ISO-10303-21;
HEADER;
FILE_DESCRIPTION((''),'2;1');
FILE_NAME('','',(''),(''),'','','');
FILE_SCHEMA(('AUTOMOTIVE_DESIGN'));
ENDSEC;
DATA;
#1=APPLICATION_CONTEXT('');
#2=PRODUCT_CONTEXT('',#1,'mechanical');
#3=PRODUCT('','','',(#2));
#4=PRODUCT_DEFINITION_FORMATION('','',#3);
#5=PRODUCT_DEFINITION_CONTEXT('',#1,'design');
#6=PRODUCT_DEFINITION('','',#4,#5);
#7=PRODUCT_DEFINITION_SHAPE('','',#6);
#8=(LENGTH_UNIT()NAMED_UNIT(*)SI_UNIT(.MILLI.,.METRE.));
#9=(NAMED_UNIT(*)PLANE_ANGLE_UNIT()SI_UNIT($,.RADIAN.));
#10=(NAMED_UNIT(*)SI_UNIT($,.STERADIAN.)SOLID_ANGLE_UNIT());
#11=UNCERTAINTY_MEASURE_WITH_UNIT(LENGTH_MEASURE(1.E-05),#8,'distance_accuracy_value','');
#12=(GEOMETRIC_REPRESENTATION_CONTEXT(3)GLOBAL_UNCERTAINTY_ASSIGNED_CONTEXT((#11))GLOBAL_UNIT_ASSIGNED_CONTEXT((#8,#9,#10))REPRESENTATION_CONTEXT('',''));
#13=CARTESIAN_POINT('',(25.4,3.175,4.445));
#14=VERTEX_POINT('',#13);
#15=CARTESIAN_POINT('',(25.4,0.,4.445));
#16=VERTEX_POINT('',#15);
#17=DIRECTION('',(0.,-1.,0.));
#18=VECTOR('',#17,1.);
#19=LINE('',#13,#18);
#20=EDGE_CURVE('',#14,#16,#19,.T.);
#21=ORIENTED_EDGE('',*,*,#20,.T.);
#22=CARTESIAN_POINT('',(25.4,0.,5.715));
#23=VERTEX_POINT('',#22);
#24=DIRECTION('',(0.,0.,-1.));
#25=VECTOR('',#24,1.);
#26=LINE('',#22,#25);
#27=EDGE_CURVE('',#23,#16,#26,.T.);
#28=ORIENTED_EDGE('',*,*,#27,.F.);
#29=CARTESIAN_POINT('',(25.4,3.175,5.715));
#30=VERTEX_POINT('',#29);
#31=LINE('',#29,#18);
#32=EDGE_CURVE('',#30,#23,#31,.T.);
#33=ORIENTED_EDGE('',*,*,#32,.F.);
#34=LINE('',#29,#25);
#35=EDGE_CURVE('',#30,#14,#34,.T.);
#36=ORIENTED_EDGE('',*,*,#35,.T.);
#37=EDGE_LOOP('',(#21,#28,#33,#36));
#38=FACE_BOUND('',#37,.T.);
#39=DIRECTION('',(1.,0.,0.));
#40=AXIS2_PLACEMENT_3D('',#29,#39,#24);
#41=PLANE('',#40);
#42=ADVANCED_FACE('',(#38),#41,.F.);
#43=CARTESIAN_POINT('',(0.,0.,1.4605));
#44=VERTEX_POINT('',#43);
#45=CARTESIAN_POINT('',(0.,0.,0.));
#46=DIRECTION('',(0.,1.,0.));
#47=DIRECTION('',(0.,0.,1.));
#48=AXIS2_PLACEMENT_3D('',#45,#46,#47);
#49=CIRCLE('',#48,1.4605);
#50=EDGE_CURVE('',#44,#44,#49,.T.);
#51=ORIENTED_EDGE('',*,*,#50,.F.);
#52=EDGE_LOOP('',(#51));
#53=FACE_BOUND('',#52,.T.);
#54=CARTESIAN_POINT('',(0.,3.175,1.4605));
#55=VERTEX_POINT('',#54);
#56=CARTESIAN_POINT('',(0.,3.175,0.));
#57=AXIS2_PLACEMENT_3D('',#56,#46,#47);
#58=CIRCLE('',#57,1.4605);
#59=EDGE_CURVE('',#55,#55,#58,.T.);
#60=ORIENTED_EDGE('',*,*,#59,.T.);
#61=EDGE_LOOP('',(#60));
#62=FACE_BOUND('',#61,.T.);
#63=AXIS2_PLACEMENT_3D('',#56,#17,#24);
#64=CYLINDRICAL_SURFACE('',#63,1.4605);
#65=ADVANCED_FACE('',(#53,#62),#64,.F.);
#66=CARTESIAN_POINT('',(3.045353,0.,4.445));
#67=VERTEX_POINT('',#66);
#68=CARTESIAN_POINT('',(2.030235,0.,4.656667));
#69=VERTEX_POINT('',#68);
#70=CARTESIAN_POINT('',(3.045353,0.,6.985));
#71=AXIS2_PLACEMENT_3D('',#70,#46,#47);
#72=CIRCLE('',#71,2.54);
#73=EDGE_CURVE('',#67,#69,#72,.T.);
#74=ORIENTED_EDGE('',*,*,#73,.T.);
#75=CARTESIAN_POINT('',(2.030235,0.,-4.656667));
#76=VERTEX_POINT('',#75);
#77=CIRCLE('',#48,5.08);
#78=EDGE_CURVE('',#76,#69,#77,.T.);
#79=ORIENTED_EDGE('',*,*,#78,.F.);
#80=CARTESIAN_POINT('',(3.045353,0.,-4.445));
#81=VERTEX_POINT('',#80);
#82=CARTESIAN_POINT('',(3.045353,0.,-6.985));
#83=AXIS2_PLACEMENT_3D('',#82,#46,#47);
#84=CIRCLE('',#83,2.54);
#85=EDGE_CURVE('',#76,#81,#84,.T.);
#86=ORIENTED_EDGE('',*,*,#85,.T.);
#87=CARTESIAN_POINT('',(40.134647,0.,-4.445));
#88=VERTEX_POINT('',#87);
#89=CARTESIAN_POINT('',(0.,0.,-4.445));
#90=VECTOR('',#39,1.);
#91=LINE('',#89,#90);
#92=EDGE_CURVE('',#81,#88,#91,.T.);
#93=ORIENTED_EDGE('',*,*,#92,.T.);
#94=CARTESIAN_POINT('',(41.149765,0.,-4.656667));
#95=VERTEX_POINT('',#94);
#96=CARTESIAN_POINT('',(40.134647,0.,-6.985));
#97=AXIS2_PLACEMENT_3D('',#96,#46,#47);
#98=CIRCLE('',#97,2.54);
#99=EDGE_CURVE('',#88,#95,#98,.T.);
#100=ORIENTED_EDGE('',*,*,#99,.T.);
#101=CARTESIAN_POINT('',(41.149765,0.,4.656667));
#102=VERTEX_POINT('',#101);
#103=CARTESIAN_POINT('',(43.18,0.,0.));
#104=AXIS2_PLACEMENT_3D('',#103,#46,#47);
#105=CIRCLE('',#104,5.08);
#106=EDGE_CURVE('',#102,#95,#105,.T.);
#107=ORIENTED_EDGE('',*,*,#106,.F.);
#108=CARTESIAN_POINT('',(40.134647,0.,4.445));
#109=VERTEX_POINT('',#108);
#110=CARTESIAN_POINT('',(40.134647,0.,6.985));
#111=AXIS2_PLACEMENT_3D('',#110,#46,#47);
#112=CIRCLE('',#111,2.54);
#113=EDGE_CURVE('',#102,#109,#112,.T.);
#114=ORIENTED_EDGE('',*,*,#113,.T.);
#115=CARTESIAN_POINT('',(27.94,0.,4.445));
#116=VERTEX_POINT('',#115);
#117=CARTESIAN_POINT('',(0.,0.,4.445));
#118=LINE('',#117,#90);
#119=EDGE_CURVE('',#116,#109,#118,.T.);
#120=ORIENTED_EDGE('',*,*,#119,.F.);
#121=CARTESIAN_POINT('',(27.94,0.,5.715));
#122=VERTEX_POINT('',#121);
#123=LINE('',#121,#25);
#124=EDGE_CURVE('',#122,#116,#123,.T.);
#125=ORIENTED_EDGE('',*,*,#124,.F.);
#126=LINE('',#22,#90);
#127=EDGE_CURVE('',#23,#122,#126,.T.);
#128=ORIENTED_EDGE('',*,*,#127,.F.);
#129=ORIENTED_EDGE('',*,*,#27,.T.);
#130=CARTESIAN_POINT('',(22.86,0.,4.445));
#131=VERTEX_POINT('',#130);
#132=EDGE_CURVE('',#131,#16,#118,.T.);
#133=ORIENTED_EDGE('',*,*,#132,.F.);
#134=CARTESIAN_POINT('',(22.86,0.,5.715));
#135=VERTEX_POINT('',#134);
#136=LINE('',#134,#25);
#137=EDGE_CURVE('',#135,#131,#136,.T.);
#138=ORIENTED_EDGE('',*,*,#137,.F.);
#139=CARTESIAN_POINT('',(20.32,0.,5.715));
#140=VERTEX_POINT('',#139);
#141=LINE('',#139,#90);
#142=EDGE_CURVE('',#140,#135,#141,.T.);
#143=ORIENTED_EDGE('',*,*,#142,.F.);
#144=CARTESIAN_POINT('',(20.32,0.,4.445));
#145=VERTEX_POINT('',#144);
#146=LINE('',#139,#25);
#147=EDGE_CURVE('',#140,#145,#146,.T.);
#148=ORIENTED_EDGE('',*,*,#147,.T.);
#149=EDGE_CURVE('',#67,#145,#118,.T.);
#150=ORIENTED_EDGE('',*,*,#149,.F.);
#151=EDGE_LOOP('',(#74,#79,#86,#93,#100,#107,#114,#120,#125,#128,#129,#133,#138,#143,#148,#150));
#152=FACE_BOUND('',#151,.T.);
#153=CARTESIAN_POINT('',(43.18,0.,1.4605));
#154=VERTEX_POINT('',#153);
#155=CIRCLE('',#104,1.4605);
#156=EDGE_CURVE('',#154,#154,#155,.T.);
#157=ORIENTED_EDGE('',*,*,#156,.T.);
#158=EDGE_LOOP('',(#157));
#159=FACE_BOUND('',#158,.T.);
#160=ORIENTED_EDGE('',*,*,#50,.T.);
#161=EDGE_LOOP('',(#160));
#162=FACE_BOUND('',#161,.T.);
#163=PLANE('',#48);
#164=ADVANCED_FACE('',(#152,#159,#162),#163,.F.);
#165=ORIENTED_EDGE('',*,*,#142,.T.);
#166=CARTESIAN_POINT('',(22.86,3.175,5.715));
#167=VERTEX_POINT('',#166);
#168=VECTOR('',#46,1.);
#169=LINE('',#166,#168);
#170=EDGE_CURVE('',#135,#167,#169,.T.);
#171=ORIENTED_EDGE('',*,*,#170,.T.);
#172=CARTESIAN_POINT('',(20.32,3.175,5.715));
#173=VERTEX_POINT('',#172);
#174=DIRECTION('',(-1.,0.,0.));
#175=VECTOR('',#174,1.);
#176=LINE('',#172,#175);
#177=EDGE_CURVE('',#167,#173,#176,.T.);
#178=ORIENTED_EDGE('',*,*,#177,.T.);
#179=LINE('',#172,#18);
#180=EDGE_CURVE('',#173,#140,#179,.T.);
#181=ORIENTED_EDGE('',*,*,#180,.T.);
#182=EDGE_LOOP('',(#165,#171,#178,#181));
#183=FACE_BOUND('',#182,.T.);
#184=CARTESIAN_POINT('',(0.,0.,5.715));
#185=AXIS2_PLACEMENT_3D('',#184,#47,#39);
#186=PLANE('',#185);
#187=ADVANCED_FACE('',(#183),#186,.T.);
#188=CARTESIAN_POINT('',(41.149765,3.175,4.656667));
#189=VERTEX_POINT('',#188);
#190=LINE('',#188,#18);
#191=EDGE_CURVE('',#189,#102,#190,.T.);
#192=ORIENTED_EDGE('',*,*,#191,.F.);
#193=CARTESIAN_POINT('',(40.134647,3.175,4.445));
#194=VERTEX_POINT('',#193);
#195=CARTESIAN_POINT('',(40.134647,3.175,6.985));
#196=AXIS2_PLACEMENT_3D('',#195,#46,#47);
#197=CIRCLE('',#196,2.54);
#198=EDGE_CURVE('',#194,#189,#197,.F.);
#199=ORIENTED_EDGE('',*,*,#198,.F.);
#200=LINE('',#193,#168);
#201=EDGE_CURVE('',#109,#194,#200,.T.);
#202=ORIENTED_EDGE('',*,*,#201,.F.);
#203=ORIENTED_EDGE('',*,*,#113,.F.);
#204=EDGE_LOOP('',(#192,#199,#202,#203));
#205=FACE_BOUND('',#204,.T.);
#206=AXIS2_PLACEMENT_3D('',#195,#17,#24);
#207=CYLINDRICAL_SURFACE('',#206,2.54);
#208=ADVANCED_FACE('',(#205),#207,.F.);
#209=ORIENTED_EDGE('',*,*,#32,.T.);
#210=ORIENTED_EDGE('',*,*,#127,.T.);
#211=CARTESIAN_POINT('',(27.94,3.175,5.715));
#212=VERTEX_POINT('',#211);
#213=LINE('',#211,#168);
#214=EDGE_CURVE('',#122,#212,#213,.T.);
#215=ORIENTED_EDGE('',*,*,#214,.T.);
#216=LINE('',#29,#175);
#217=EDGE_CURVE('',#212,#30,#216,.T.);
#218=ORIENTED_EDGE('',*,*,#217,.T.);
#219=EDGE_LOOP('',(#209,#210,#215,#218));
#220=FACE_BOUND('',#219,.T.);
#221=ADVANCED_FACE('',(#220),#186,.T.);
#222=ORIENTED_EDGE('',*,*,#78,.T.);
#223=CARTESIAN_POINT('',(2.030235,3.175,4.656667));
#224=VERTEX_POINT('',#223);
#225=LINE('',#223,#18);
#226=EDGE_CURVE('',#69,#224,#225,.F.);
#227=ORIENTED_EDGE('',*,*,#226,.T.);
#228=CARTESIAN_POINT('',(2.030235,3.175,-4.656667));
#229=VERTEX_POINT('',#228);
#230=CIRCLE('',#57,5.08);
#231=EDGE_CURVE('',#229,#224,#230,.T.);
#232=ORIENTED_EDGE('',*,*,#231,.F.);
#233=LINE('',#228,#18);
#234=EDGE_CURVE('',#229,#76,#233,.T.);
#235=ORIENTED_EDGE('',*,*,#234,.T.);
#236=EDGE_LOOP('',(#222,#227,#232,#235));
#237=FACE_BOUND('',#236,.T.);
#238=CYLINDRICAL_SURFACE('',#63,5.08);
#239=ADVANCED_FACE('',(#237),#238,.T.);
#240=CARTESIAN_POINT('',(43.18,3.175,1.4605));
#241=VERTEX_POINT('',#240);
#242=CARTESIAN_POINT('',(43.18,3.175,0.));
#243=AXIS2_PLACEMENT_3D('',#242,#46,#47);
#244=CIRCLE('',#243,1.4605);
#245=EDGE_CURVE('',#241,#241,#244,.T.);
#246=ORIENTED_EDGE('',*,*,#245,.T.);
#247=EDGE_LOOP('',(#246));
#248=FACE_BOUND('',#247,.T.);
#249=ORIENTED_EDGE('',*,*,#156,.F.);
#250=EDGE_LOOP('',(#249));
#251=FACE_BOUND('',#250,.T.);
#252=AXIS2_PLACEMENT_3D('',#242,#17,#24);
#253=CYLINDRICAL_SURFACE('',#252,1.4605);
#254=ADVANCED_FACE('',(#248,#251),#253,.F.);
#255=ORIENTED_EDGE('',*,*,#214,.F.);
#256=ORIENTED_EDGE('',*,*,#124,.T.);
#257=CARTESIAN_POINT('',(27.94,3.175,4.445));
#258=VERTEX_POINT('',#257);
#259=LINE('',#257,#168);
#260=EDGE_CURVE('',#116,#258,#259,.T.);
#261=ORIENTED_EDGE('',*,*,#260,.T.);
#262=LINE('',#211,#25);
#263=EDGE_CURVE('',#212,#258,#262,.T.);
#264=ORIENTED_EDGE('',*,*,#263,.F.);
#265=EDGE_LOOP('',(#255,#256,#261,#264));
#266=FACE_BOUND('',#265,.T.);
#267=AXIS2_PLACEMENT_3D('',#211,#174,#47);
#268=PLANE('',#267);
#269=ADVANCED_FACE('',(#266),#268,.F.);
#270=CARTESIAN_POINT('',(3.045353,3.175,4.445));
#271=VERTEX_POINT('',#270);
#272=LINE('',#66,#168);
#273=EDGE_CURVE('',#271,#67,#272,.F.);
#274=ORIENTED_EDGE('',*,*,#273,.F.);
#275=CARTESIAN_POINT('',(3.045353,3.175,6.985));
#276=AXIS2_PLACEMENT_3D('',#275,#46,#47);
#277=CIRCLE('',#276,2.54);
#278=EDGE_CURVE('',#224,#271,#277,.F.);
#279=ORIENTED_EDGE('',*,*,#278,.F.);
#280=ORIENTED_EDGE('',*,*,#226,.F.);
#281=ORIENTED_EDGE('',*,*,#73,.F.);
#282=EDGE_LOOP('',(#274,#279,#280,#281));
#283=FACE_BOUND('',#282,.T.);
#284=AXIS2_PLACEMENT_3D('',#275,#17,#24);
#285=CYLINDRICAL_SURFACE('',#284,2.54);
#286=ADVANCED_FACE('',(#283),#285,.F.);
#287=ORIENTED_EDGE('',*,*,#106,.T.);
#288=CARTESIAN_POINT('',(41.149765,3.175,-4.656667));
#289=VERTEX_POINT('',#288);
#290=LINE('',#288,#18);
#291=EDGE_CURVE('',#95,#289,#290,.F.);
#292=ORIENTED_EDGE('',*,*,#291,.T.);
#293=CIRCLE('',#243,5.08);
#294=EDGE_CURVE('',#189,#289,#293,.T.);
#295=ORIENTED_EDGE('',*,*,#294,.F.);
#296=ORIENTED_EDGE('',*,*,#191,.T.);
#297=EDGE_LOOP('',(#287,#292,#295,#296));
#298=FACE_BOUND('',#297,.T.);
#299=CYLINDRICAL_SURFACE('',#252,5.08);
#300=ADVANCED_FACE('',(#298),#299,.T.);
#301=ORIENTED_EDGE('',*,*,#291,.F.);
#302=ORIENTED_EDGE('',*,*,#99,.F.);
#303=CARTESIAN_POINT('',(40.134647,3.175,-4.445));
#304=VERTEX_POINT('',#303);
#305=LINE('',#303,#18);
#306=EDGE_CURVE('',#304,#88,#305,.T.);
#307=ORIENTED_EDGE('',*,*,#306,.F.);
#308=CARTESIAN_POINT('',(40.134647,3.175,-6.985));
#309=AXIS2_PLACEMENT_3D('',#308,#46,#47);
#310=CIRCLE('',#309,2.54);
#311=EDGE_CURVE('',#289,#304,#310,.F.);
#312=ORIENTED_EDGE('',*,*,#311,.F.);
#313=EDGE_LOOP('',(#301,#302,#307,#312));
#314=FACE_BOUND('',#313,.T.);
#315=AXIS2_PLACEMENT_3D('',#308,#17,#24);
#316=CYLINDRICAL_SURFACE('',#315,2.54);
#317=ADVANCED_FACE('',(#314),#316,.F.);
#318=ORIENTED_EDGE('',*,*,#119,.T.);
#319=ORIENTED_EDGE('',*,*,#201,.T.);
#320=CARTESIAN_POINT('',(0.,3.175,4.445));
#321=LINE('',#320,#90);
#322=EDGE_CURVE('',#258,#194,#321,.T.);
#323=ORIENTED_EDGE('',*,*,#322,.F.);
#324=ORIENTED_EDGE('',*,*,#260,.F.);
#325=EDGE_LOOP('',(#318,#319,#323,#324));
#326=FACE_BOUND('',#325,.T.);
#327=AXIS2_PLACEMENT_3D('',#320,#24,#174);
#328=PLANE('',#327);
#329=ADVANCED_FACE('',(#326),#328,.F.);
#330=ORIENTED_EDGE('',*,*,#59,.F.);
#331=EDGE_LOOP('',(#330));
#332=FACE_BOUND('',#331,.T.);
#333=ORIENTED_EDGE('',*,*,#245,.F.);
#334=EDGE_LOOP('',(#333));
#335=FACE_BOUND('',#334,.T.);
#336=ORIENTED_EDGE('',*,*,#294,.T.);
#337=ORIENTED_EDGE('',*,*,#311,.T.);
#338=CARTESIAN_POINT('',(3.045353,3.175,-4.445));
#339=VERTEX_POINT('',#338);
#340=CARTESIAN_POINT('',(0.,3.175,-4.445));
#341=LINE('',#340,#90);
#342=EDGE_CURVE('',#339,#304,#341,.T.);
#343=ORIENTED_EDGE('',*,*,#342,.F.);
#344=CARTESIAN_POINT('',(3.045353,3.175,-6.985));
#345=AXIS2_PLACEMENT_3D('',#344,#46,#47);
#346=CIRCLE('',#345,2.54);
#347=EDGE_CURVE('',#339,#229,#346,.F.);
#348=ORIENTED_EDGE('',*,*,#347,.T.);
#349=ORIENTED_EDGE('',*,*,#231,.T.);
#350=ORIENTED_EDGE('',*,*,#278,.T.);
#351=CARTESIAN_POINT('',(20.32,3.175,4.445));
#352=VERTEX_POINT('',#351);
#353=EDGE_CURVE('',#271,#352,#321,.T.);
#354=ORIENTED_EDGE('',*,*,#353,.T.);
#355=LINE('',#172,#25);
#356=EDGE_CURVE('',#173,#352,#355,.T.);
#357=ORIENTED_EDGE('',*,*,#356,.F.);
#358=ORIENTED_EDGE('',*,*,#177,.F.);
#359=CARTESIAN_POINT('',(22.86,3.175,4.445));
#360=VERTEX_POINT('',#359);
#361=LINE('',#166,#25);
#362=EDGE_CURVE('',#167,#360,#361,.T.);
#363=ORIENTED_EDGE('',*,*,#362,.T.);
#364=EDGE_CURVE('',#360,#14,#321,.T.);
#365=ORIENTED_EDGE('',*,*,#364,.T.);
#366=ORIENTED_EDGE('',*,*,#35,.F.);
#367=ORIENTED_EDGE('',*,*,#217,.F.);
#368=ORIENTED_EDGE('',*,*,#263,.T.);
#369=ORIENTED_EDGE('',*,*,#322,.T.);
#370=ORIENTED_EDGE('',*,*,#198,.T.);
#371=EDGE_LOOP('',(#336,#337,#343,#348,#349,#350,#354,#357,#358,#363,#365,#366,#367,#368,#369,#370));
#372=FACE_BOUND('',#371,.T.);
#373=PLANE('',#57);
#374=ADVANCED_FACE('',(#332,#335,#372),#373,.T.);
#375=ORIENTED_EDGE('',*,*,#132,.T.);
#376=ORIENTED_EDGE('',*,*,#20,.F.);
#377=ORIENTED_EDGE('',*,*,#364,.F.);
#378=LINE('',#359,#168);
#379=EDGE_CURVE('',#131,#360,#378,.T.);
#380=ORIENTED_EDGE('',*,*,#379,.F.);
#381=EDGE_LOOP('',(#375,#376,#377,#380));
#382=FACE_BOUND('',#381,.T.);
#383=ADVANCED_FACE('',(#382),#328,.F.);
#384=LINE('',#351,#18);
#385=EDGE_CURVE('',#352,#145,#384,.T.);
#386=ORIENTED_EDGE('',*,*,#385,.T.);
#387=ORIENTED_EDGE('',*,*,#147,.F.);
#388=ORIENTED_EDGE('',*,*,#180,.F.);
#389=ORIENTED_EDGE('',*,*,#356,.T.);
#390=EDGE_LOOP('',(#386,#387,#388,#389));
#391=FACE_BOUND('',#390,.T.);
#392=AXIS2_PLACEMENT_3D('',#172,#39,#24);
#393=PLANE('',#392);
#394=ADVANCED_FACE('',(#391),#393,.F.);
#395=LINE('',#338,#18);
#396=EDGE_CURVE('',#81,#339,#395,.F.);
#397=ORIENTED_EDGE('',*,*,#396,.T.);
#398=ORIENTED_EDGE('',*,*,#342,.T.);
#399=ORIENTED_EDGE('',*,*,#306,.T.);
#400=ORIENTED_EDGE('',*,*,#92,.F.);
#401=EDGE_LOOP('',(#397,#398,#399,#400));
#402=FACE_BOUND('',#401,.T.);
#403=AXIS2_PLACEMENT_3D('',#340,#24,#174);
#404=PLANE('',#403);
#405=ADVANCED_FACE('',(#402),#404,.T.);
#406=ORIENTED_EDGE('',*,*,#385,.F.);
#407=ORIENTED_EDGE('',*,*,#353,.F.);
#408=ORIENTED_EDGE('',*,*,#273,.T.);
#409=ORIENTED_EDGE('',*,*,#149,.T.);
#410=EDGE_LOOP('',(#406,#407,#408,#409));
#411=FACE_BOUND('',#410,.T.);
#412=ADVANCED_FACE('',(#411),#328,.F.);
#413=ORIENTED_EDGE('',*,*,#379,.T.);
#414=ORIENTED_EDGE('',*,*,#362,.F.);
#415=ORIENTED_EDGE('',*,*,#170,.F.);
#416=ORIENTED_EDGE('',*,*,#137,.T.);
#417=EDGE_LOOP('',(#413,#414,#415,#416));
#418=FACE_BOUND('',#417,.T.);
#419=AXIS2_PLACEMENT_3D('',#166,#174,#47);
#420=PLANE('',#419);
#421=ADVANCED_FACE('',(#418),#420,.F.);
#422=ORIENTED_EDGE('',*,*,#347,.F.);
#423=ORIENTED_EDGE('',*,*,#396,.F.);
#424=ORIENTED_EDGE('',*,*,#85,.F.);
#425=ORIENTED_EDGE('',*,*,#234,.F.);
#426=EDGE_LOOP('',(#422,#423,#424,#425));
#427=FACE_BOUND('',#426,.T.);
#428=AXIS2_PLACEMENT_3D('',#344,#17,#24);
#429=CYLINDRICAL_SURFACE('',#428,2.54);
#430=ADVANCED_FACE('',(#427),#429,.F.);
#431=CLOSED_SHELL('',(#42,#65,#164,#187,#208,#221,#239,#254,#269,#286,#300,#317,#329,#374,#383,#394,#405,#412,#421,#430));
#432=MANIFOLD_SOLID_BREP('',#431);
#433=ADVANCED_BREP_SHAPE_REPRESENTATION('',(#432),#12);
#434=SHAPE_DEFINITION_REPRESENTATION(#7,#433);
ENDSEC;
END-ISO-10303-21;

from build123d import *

# Parameters (mm, degrees)
SKETCH1_R           = 5.08
SKETCH1_R_2         = 1.4605
BOSS_EXTRUDE1_DEPTH = 3.175
FILLET1_R           = 2.54
SKETCH2_W           = 2.54
SKETCH2_H           = 3.175
BOSS_EXTRUDE2_DEPTH = 1.27


with BuildPart() as part:
    # Sketch1 → Boss-Extrude1 (new body)
    with BuildSketch(Plane(origin=(0, 0, 0), x_dir=(1, 0, 0), z_dir=(0, 1, 0))):
        Circle(SKETCH1_R)
        Circle(SKETCH1_R_2, mode=Mode.SUBTRACT)
        with BuildLine():
            Line((40.720655575, 4.445), (2.459344425, 4.445))
            ThreePointArc((2.459344425, 4.445), (4.376063852, 2.580012628), (5.08, 0))
            ThreePointArc((5.08, 0), (4.376063852, -2.580012628), (2.459344425, -4.445))
            Line((2.459344425, -4.445), (40.720655575, -4.445))
            ThreePointArc((40.720655575, -4.445), (38.1, 0), (40.720655575, 4.445))
        make_face()
        with Locations((43.18, 0)):
            Circle(SKETCH1_R)
        with Locations((43.18, 0)):
            Circle(SKETCH1_R_2, mode=Mode.SUBTRACT)
    extrude(amount=BOSS_EXTRUDE1_DEPTH)

    # Fillet1
    fillet1_edges = [part.edges().sort_by_distance(p)[0] for p in [
        (2.459344425, 1.5875, -4.445),
        (40.720655575, 1.5875, -4.445),
        (40.720655575, 1.5875, 4.445),
        (2.459344425, 1.5875, 4.445),
    ]]
    fillet(fillet1_edges, radius=FILLET1_R)

    # Sketch2 → Boss-Extrude2 (add)
    with BuildSketch(Plane.XY.offset(4.445)):
        with Locations((26.67, 1.5875)):
            Rectangle(SKETCH2_W, SKETCH2_H)
        with Locations((21.59, 1.5875)):
            Rectangle(SKETCH2_W, SKETCH2_H)
    extrude(amount=BOSS_EXTRUDE2_DEPTH)


solid = part.part
